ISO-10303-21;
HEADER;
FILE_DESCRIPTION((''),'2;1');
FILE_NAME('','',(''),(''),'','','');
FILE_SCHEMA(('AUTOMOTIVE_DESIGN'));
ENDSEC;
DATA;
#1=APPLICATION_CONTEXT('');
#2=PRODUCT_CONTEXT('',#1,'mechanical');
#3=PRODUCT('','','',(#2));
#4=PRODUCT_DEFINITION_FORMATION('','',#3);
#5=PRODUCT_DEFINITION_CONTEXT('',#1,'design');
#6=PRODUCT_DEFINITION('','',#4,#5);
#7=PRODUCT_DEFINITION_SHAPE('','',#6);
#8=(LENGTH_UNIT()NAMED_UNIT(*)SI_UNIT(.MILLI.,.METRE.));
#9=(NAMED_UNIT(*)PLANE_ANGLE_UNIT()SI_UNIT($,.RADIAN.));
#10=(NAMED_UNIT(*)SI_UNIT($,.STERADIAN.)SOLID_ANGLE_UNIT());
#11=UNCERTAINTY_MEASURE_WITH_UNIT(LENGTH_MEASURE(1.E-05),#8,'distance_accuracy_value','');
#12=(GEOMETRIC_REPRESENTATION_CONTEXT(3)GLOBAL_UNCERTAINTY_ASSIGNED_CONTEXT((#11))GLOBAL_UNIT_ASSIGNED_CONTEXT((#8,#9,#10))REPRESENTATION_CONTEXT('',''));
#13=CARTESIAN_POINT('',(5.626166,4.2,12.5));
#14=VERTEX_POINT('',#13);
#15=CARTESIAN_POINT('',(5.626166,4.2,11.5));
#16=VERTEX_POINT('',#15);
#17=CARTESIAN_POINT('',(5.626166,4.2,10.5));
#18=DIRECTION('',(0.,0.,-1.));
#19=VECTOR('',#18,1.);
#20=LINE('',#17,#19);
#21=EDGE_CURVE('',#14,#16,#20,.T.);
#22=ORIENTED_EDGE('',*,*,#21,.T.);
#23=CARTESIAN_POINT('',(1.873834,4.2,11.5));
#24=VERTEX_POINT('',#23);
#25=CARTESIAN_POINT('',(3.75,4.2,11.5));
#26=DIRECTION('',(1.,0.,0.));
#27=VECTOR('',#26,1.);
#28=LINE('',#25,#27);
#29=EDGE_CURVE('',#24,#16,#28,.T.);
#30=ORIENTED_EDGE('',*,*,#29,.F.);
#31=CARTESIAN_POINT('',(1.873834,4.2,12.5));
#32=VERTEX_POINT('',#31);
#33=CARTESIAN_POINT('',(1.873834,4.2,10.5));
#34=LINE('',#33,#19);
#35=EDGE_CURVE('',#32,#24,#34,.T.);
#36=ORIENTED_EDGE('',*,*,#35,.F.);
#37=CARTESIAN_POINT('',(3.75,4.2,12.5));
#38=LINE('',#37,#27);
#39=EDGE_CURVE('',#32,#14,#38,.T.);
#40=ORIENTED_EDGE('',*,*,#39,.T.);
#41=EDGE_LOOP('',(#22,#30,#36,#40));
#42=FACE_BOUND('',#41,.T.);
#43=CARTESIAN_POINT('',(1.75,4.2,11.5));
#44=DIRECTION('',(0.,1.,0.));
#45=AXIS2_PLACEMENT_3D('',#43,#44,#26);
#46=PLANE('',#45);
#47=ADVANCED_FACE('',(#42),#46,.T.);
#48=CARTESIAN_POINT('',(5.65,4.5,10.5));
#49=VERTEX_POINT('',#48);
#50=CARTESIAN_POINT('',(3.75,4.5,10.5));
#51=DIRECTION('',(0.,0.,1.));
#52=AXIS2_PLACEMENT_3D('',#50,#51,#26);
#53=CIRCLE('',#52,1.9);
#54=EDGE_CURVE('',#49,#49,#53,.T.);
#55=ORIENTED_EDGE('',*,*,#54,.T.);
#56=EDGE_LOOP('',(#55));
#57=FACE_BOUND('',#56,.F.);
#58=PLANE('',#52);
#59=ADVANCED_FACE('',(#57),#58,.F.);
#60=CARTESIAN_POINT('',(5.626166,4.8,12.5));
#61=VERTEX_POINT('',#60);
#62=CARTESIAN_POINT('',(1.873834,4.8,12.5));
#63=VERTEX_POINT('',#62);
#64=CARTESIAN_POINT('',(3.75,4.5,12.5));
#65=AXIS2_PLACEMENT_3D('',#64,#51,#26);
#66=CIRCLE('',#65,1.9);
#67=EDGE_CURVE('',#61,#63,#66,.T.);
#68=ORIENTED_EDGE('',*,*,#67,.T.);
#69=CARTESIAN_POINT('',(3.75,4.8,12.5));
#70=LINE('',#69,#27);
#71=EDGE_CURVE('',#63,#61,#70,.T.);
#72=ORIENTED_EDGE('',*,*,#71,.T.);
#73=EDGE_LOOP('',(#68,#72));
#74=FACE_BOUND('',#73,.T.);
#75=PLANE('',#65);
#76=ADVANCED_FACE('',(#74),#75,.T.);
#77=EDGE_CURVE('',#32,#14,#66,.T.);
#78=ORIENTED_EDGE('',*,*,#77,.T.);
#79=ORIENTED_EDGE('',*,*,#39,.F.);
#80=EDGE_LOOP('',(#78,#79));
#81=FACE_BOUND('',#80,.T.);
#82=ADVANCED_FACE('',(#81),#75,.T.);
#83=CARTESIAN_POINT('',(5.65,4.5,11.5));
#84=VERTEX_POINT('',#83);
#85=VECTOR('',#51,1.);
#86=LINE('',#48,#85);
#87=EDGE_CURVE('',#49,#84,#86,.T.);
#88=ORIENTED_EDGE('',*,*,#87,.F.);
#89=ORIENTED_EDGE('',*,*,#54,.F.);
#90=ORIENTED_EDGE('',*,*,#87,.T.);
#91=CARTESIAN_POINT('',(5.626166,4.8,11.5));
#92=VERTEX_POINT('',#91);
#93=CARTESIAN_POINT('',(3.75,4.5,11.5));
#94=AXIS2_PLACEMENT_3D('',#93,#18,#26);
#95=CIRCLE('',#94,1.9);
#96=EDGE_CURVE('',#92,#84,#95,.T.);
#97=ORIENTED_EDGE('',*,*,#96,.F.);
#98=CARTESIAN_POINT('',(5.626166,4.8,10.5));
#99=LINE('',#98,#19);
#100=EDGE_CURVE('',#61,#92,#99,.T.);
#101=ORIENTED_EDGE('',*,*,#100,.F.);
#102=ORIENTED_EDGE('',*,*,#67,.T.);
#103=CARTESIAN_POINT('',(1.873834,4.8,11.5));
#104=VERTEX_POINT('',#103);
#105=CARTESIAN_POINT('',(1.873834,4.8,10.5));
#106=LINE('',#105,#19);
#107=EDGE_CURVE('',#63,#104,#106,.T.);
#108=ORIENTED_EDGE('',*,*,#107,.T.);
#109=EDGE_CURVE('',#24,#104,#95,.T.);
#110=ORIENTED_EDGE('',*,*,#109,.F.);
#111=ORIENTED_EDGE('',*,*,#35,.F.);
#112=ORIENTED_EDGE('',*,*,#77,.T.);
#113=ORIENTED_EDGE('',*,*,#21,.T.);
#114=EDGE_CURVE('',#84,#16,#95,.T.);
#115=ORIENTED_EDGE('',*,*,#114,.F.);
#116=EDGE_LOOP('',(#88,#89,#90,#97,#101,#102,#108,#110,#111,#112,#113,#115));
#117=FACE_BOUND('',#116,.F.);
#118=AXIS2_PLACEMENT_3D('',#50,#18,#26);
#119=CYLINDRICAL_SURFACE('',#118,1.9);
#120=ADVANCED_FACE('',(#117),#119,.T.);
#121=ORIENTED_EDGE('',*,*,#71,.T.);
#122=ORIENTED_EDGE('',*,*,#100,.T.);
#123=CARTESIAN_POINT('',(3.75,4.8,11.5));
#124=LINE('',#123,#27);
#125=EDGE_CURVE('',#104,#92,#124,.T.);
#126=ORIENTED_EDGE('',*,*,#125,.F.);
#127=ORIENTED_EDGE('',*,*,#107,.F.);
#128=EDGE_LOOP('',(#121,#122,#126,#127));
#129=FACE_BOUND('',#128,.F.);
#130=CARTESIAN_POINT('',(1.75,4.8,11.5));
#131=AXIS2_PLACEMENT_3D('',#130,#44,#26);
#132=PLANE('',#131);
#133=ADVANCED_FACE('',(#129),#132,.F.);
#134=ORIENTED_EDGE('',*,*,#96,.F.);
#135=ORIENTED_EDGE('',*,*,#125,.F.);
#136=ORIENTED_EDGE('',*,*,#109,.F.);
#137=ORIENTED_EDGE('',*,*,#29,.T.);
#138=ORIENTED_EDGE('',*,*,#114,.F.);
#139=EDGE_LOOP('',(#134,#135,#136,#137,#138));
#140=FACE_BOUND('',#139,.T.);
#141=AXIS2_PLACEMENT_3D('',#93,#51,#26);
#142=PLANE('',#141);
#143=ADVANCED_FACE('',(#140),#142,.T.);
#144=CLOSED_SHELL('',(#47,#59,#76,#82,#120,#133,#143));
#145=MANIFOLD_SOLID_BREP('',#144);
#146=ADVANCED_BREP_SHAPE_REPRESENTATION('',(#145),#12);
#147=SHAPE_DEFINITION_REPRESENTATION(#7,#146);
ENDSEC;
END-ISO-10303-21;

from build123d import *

# Parameters (mm, degrees)
BOX005_W          = 4
BOX005_H          = 0.6
BOX005_DEPTH      = 1
CYLINDER003_R     = 1.9
CYLINDER003_DEPTH = 2


with BuildPart() as cube003:
    # Box005 → Box005 (new body)
    with BuildSketch(Plane(origin=(-2, -0.3, 1), x_dir=(1, 0, 0), z_dir=(0, 0, 1))):
        with Locations((2, 0.3)):
            Rectangle(BOX005_W, BOX005_H)
    extrude(amount=BOX005_DEPTH)


with BuildPart() as cut005:
    # Cylinder003 → Cylinder003 (new body)
    with BuildSketch(Plane.XY):
        Circle(CYLINDER003_R)
    extrude(amount=CYLINDER003_DEPTH)

    # Cut005: cut Cube003
    add(cube003.part, mode=Mode.SUBTRACT)


with BuildPart() as cut005_1:
    # Cut005 placement: moved
    add(cut005.part.moved(Location((3.75, 4.5, 10.5))))


solid = cut005_1.part
